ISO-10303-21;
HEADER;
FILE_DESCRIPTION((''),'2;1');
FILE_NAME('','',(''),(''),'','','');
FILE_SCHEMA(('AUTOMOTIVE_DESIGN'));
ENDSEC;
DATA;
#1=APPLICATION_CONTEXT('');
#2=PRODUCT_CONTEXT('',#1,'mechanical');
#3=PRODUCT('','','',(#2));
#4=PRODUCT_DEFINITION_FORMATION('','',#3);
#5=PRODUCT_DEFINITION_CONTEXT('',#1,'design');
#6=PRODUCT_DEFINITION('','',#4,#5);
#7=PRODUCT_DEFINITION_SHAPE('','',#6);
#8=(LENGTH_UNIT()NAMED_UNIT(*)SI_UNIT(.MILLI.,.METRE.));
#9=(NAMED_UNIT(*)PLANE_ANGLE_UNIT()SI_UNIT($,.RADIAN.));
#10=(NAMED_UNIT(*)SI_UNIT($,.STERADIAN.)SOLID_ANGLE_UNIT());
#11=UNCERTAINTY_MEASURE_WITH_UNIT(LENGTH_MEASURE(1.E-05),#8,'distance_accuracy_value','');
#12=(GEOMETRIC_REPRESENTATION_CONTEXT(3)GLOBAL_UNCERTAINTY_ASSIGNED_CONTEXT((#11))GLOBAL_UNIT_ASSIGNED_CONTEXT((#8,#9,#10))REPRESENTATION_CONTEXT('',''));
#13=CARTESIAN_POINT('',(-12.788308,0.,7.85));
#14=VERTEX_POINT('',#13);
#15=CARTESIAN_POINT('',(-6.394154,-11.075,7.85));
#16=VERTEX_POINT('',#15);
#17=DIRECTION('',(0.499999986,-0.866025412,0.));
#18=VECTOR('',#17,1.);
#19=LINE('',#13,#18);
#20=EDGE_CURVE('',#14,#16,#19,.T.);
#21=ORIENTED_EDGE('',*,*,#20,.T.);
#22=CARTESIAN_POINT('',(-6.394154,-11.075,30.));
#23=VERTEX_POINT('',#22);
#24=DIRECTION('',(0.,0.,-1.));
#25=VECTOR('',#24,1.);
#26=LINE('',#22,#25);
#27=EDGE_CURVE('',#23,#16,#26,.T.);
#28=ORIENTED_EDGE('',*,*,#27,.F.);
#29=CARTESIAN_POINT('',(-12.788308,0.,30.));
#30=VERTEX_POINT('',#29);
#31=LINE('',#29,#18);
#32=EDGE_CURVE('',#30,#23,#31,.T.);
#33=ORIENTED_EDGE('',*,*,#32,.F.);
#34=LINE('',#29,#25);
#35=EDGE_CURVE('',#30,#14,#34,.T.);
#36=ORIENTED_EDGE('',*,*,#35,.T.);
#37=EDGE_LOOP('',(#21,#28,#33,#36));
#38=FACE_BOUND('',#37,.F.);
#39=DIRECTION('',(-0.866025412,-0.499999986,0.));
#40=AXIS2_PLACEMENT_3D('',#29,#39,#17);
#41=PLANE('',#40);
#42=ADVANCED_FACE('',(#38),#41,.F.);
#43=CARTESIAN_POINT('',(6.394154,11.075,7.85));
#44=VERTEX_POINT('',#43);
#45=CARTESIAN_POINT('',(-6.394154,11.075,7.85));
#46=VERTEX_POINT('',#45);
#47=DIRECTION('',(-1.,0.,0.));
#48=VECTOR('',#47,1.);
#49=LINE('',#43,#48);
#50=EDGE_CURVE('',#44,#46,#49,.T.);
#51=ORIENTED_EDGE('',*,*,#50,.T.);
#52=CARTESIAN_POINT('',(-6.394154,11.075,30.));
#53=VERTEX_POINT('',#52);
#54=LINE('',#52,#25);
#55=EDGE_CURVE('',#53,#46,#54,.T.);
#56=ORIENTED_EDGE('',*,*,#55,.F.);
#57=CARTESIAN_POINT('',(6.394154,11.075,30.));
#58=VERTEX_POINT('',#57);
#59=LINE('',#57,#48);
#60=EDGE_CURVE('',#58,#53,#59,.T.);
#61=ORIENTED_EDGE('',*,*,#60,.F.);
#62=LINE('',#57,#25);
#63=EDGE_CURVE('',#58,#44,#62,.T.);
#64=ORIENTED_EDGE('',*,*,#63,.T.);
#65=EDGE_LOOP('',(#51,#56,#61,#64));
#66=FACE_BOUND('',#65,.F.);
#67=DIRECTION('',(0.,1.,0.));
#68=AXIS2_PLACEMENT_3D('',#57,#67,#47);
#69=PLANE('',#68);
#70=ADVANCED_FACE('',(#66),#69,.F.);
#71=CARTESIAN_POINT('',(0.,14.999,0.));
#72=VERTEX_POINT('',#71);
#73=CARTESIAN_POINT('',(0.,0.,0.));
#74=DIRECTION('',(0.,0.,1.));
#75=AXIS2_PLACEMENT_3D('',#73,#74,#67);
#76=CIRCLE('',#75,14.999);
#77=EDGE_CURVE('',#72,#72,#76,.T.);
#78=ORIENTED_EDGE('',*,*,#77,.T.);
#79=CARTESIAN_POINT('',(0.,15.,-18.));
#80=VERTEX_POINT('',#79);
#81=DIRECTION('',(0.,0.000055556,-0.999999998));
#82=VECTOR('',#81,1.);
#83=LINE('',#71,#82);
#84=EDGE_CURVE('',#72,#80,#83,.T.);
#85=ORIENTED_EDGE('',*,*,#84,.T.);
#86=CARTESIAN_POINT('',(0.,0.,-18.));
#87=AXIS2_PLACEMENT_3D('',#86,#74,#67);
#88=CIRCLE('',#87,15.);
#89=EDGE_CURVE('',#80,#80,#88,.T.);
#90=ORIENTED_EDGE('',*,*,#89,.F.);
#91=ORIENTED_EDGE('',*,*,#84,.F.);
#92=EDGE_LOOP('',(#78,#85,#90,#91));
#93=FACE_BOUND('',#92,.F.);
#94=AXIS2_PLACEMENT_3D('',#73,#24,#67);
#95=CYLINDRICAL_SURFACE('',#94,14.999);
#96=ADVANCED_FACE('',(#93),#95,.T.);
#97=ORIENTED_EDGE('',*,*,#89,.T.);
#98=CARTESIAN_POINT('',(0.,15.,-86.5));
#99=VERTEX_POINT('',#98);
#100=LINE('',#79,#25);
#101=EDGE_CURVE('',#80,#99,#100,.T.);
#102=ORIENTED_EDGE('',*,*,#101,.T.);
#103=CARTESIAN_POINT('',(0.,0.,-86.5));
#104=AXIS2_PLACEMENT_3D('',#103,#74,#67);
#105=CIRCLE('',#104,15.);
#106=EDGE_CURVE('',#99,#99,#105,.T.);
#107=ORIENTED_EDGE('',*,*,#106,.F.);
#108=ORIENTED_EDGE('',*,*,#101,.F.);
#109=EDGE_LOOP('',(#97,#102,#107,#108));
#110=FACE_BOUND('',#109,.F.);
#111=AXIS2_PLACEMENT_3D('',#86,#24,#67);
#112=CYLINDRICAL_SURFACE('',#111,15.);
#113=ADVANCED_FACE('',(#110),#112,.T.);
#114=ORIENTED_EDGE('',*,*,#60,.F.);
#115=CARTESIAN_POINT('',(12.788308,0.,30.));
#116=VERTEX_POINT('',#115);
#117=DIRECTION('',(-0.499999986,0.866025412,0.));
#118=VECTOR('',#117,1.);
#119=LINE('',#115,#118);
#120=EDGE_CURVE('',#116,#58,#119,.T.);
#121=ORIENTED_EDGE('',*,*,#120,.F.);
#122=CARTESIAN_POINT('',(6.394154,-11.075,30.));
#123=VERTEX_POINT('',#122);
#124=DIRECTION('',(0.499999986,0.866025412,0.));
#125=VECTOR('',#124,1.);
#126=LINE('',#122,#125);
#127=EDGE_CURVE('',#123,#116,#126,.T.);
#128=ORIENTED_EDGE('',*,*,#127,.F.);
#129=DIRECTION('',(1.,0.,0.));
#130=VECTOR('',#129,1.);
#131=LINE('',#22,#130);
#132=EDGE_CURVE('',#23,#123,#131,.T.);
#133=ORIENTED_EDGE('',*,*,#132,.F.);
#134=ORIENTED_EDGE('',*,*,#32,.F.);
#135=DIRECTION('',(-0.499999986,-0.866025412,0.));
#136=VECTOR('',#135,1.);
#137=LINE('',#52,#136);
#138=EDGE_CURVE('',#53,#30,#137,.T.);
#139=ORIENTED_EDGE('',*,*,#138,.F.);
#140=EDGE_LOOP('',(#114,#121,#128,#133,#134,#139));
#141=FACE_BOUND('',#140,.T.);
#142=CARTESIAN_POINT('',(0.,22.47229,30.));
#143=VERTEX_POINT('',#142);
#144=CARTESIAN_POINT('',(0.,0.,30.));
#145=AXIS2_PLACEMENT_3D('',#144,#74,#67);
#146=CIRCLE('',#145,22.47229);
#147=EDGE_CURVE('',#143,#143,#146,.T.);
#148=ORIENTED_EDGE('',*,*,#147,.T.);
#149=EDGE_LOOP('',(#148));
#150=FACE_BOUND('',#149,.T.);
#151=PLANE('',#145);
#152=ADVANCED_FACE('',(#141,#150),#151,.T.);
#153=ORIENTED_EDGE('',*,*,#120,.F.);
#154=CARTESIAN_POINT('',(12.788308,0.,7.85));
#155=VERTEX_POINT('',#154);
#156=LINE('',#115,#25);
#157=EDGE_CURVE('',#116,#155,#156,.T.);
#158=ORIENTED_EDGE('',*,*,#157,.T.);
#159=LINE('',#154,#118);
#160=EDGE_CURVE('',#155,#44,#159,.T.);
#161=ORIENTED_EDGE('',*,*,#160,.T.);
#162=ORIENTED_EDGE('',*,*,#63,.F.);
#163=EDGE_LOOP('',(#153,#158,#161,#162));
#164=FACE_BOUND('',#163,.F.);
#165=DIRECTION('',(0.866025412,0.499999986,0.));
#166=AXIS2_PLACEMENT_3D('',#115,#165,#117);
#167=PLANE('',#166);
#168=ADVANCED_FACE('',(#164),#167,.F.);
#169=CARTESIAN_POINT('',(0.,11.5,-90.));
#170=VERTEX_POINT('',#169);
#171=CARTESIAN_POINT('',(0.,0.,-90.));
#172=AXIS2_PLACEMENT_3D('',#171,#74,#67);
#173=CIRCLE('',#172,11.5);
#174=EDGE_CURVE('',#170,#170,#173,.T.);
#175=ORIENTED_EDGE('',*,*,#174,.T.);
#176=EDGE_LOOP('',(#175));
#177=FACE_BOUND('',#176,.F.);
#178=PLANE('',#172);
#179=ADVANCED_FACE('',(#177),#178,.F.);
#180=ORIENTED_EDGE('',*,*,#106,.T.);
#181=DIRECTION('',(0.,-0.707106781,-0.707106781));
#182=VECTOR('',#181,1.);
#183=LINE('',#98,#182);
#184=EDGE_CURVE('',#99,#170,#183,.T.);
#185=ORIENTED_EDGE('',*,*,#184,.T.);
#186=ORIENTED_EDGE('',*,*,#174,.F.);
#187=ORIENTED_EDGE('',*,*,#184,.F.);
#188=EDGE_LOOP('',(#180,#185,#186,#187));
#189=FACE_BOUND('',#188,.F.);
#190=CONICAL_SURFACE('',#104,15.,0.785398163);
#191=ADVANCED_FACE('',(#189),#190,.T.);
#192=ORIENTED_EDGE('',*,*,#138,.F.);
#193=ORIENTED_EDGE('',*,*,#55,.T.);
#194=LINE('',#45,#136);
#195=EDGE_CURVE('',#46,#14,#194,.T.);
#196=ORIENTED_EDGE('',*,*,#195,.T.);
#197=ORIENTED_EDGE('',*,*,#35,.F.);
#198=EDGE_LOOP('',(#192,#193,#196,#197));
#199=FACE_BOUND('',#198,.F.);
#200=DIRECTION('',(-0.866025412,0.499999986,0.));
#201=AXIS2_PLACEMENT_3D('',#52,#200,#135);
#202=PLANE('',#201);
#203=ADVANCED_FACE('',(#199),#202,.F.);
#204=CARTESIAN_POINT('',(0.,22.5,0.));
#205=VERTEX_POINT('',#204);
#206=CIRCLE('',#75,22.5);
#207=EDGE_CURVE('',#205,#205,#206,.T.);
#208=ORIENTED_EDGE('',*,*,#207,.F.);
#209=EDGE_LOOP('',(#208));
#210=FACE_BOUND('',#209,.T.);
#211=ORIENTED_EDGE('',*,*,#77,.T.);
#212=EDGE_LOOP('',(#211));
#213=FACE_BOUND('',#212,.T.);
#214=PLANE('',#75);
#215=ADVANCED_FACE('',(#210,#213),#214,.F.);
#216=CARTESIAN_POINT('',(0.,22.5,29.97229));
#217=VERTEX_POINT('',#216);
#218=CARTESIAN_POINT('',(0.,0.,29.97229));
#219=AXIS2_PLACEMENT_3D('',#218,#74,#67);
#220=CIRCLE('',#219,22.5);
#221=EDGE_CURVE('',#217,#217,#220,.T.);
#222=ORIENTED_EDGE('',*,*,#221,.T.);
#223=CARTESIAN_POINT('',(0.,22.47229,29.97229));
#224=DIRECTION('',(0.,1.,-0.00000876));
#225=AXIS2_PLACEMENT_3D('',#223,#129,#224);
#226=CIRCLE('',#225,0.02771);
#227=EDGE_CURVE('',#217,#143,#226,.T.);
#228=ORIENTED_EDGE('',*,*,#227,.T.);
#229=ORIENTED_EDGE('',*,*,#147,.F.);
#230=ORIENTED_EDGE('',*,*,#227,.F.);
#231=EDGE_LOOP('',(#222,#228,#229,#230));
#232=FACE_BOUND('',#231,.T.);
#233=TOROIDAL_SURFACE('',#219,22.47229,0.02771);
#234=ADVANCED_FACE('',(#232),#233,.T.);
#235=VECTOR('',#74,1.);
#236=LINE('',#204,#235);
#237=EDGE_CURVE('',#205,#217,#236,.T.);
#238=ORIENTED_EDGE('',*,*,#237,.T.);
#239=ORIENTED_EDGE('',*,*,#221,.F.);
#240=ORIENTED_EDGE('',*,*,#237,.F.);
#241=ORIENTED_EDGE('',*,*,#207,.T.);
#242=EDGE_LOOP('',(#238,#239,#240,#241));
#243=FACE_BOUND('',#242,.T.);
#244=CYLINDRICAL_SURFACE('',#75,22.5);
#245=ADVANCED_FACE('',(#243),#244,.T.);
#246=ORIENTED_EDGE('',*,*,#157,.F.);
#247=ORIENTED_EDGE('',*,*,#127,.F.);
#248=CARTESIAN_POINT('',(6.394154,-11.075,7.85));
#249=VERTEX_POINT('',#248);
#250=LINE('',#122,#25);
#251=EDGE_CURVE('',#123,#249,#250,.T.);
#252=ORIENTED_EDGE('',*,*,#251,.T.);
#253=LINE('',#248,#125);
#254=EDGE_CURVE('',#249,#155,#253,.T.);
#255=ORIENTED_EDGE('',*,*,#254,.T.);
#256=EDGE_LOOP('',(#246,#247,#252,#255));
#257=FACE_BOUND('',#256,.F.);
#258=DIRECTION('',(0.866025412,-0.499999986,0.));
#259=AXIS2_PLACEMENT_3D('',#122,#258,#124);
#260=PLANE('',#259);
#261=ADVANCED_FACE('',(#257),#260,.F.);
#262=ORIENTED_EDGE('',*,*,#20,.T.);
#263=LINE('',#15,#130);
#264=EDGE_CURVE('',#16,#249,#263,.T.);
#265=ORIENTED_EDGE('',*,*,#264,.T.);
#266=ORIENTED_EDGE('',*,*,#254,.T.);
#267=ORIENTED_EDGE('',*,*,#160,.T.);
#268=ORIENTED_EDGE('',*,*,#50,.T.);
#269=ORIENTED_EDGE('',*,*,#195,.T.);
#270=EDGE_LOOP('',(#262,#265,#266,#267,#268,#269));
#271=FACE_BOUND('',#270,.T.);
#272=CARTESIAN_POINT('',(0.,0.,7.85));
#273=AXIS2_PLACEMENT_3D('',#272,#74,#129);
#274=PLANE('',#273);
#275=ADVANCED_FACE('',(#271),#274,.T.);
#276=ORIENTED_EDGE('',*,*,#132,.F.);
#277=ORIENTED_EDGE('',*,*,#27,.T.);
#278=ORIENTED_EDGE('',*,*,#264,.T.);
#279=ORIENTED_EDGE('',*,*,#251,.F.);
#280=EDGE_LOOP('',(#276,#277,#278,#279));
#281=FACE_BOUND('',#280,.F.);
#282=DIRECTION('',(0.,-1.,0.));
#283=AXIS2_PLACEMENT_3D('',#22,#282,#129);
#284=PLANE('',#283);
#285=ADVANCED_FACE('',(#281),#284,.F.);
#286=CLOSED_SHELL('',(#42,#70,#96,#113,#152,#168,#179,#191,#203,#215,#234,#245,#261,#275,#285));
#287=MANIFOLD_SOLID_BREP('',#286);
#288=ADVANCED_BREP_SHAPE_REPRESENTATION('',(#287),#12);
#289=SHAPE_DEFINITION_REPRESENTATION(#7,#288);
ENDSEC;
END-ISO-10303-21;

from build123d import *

# Parameters (mm, degrees)
POCKET_DEPTH = 22.15


with BuildPart() as part:
    # Sketch → Revolve (revolve)
    with BuildSketch(Plane.YZ):
        with BuildLine():
            Line((14.999, 0), (22.5, 0))
            Line((22.5, 0), (22.5, 29.97229))
            ThreePointArc((22.5, 29.97229), (22.491884, 29.991884), (22.47229, 30))
            Line((22.47229, 30), (0, 30))
            Line((0, -90), (0, 30))
            Line((11.5, -90), (0, -90))
            Line((15, -86.5), (11.5, -90))
            Line((15, -18), (15, -86.5))
            Line((14.999, 0), (15, -18))
        make_face()
    revolve(axis=Axis((0, 0, 0), (0, 0, 1)))

    # Sketch001 → Pocket (cut)
    with BuildSketch(Plane.XY.offset(30)):
        Polygon((12.788308, 0), (6.394154, 11.075), (-6.394154, 11.075), (-12.788308, 0), (-6.394154, -11.075), (6.394154, -11.075), align=None)
    extrude(amount=-POCKET_DEPTH, mode=Mode.SUBTRACT)


solid = part.part
